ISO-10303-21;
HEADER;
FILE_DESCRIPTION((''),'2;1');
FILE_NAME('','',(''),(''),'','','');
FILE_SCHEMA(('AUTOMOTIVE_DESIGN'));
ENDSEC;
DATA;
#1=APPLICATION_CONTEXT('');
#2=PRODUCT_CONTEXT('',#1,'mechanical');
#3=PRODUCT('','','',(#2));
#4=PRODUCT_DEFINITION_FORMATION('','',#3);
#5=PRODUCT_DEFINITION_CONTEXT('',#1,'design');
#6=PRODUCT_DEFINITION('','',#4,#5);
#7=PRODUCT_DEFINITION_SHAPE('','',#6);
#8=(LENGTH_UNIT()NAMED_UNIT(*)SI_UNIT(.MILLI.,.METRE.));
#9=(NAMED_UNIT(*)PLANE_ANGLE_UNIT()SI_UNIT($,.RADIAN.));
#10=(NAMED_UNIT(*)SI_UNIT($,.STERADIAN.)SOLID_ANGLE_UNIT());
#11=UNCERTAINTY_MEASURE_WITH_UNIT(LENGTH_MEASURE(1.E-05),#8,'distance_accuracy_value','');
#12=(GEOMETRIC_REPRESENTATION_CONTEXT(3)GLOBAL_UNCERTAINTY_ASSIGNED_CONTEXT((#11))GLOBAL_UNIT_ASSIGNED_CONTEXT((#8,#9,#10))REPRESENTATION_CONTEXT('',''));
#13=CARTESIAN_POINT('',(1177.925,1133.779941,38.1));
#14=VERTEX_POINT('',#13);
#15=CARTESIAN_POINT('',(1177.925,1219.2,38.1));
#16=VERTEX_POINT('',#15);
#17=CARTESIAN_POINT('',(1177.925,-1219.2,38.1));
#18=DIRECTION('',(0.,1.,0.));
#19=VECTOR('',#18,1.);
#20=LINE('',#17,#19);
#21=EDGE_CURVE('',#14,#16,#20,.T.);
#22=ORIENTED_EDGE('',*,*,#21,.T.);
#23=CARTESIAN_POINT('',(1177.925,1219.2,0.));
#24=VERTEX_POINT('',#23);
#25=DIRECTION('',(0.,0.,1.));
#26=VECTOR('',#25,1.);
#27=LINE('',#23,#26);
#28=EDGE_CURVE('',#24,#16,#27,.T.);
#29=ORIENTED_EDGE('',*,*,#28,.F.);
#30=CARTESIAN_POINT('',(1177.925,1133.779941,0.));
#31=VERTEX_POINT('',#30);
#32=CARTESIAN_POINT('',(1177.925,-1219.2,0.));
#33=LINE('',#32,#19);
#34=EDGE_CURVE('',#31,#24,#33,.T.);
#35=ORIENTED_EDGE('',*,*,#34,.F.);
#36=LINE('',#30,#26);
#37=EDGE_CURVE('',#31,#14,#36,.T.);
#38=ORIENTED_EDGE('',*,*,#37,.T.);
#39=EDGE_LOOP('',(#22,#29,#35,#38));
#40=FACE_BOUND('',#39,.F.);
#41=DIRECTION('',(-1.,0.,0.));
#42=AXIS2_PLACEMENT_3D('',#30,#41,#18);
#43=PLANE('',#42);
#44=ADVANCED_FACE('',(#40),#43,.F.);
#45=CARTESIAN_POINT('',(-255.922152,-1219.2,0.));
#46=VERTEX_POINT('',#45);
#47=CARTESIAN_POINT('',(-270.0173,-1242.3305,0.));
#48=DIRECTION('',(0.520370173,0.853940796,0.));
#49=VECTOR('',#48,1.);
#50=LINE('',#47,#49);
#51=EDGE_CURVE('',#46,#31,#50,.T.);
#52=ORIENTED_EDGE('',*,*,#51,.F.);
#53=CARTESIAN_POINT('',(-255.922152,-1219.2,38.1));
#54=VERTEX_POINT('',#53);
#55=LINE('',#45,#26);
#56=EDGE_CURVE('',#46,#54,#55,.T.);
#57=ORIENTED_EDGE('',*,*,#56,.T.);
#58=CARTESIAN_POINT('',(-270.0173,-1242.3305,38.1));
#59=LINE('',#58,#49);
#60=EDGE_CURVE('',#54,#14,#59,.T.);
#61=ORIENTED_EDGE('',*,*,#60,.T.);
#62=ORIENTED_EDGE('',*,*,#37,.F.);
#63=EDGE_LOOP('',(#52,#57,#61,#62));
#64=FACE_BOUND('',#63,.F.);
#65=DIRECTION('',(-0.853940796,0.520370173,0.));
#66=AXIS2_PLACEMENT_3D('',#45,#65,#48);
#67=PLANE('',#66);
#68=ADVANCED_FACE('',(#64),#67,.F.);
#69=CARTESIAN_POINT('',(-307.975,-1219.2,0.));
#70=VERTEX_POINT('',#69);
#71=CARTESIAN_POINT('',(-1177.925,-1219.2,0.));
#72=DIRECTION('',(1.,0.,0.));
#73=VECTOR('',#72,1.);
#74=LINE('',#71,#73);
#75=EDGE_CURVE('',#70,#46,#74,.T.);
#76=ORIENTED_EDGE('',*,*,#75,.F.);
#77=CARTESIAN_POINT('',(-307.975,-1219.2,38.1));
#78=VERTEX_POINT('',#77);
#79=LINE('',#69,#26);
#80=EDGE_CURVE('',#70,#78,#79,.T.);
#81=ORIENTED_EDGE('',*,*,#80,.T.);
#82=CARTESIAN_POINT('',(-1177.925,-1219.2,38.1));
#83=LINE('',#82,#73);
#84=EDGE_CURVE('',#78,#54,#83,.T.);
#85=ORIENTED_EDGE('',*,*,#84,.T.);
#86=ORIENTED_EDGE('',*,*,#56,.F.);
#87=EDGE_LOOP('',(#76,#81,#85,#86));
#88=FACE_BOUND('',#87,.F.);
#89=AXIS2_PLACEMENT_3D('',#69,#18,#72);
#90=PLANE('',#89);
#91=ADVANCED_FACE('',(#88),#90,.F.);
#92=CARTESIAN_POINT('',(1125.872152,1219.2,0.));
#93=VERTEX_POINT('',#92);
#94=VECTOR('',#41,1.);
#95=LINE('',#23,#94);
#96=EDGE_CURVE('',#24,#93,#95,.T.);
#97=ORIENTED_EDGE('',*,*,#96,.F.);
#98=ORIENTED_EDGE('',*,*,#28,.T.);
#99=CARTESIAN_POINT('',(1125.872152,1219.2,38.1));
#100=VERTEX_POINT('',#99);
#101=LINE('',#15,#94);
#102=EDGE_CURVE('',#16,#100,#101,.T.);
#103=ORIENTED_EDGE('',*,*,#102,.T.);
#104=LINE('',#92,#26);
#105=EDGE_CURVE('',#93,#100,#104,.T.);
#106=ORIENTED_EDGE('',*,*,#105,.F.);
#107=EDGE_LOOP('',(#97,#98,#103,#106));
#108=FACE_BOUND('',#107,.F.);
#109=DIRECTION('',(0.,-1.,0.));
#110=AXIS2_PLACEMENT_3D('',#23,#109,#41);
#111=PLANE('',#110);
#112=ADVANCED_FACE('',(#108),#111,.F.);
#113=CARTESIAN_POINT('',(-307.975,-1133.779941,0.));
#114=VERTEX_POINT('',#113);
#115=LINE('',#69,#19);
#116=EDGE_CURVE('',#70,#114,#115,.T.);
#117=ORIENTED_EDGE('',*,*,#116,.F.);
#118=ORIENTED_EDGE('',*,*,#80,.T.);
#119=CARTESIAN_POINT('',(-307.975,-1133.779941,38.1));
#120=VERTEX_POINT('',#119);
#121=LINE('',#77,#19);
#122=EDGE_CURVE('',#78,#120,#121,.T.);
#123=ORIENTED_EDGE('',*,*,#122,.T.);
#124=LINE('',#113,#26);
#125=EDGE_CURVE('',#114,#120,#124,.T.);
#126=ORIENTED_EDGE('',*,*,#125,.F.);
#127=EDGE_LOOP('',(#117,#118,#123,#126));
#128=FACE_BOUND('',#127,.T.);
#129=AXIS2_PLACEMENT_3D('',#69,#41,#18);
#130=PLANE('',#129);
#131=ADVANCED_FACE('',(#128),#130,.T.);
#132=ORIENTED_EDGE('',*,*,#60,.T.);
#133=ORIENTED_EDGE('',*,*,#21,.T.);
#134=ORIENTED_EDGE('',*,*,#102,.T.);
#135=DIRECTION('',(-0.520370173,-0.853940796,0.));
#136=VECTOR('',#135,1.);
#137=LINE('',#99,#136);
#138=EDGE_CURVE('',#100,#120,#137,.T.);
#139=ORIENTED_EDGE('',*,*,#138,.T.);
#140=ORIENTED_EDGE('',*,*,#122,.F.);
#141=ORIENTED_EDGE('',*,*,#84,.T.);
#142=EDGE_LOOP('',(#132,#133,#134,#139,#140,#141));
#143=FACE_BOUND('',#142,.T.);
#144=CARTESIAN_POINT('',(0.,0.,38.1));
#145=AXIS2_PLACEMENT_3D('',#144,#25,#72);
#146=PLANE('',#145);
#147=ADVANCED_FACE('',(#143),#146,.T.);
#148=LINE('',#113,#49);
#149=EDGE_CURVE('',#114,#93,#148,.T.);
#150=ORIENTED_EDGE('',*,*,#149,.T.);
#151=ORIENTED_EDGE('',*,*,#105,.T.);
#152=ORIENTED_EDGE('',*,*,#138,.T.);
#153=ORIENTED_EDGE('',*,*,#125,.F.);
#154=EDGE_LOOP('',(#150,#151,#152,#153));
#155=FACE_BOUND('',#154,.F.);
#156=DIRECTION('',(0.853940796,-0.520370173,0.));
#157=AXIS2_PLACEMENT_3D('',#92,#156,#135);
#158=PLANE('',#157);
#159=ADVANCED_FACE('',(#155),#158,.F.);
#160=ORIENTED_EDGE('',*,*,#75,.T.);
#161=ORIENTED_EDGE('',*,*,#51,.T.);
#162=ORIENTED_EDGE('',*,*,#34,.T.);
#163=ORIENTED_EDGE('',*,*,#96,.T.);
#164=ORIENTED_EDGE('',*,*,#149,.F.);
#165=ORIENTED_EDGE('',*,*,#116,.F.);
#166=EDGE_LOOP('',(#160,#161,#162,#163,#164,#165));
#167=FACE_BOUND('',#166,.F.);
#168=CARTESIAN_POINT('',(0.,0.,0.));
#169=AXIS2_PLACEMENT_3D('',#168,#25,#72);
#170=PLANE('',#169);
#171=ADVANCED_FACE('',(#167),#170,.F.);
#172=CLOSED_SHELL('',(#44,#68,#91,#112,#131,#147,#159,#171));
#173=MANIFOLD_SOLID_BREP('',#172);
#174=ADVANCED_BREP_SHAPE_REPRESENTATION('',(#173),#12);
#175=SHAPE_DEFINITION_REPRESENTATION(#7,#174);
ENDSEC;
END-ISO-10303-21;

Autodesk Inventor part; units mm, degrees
ref_plane "YZ Plane" through (0, 0, 0) normal (1, 0, 0) x (0, 1, 0)
ref_plane "XZ Plane" through (0, 0, 0) normal (0, 1, 0) x (-1, 0, 0)
ref_plane "XY Plane" through (0, 0, 0) normal (0, 0, 1) x (1, 0, 0)
sketch "Sketch1" plane through (0, 0, 0) normal (0, 0, 1) x (1, 0, 0)
  line L0 (-1177.925, -1219.2) -> (1177.925, -1219.2)
  line L1 (1177.925, -1219.2) -> (1177.925, 1219.2)
  line L2 (1177.925, 1219.2) -> (-1177.925, 1219.2)
  line L3 (-1177.925, 1219.2) -> (-1177.925, -1219.2)
  line L4 (-1177.925, -1219.2) -> (1177.925, 1219.2) construction
  line L5 (1177.925, -1219.2) -> (-1177.925, 1219.2) construction
  line L6 (-1177.925, -1219.2) -> (-307.975, -1219.2)
  line L7 (-307.975, -1219.2) -> (-307.975, 1219.2)
  line L8 (1177.925, 1219.2) -> (-307.975, -1219.2)
  line L9 (-1177.925, 1219.2) -> (-307.975, -1219.2)
  line L10 (-345.9327, -1196.0695) -> (-270.0173, -1242.3305)
  line L11 (-349.8404, -1234.1363) -> (-266.1096, -1204.2637)
  line L12 (-1219.7904, 1204.2637) -> (-1136.0596, 1234.1363)
  line L13 (1215.8827, 1196.0695) -> (1139.9673, 1242.3305)
  line L14 (1139.9673, 1242.3305) -> (-345.9327, -1196.0695)
  line L15 (-270.0173, -1242.3305) -> (1215.8827, 1196.0695)
  line L16 (-266.1096, -1204.2637) -> (-1136.0596, 1234.1363)
  line L17 (-1219.7904, 1204.2637) -> (-349.8404, -1234.1363)
  point P0 (0, 0)
  point P1 (-307.975, -1086.9184)
  point P2 (-1130.7308, 1219.2)
  point P3 (-1177.925, 1086.9184)
  point P4 (-355.1692, -1219.2)
  point P5 (-307.975, -1219.2)
  point P6 (-307.975, -1133.78)
  point P7 (1125.8722, 1219.2)
  point P8 (-255.9222, -1219.2)
  point P9 (1177.925, 1133.78)
  dimension "d0" = 2355.85
  dimension "d1" = 2438.4
  dimension "d2" = 869.95
  dimension "d3" = 88.9
  dimension "d4" = 88.9
  dimension "d6" = 88.9
  dimension "d7" = 88.9
extrude "Extrusion1" add sketch "Sketch1" along normal blind 38.1 contours L11 L16 L8 L1 L15 L0 | L7 L14 L16 L8 | L8 L16 L11 | L16 L14 L2 L8
properties part number "S_2x4x112.420"
